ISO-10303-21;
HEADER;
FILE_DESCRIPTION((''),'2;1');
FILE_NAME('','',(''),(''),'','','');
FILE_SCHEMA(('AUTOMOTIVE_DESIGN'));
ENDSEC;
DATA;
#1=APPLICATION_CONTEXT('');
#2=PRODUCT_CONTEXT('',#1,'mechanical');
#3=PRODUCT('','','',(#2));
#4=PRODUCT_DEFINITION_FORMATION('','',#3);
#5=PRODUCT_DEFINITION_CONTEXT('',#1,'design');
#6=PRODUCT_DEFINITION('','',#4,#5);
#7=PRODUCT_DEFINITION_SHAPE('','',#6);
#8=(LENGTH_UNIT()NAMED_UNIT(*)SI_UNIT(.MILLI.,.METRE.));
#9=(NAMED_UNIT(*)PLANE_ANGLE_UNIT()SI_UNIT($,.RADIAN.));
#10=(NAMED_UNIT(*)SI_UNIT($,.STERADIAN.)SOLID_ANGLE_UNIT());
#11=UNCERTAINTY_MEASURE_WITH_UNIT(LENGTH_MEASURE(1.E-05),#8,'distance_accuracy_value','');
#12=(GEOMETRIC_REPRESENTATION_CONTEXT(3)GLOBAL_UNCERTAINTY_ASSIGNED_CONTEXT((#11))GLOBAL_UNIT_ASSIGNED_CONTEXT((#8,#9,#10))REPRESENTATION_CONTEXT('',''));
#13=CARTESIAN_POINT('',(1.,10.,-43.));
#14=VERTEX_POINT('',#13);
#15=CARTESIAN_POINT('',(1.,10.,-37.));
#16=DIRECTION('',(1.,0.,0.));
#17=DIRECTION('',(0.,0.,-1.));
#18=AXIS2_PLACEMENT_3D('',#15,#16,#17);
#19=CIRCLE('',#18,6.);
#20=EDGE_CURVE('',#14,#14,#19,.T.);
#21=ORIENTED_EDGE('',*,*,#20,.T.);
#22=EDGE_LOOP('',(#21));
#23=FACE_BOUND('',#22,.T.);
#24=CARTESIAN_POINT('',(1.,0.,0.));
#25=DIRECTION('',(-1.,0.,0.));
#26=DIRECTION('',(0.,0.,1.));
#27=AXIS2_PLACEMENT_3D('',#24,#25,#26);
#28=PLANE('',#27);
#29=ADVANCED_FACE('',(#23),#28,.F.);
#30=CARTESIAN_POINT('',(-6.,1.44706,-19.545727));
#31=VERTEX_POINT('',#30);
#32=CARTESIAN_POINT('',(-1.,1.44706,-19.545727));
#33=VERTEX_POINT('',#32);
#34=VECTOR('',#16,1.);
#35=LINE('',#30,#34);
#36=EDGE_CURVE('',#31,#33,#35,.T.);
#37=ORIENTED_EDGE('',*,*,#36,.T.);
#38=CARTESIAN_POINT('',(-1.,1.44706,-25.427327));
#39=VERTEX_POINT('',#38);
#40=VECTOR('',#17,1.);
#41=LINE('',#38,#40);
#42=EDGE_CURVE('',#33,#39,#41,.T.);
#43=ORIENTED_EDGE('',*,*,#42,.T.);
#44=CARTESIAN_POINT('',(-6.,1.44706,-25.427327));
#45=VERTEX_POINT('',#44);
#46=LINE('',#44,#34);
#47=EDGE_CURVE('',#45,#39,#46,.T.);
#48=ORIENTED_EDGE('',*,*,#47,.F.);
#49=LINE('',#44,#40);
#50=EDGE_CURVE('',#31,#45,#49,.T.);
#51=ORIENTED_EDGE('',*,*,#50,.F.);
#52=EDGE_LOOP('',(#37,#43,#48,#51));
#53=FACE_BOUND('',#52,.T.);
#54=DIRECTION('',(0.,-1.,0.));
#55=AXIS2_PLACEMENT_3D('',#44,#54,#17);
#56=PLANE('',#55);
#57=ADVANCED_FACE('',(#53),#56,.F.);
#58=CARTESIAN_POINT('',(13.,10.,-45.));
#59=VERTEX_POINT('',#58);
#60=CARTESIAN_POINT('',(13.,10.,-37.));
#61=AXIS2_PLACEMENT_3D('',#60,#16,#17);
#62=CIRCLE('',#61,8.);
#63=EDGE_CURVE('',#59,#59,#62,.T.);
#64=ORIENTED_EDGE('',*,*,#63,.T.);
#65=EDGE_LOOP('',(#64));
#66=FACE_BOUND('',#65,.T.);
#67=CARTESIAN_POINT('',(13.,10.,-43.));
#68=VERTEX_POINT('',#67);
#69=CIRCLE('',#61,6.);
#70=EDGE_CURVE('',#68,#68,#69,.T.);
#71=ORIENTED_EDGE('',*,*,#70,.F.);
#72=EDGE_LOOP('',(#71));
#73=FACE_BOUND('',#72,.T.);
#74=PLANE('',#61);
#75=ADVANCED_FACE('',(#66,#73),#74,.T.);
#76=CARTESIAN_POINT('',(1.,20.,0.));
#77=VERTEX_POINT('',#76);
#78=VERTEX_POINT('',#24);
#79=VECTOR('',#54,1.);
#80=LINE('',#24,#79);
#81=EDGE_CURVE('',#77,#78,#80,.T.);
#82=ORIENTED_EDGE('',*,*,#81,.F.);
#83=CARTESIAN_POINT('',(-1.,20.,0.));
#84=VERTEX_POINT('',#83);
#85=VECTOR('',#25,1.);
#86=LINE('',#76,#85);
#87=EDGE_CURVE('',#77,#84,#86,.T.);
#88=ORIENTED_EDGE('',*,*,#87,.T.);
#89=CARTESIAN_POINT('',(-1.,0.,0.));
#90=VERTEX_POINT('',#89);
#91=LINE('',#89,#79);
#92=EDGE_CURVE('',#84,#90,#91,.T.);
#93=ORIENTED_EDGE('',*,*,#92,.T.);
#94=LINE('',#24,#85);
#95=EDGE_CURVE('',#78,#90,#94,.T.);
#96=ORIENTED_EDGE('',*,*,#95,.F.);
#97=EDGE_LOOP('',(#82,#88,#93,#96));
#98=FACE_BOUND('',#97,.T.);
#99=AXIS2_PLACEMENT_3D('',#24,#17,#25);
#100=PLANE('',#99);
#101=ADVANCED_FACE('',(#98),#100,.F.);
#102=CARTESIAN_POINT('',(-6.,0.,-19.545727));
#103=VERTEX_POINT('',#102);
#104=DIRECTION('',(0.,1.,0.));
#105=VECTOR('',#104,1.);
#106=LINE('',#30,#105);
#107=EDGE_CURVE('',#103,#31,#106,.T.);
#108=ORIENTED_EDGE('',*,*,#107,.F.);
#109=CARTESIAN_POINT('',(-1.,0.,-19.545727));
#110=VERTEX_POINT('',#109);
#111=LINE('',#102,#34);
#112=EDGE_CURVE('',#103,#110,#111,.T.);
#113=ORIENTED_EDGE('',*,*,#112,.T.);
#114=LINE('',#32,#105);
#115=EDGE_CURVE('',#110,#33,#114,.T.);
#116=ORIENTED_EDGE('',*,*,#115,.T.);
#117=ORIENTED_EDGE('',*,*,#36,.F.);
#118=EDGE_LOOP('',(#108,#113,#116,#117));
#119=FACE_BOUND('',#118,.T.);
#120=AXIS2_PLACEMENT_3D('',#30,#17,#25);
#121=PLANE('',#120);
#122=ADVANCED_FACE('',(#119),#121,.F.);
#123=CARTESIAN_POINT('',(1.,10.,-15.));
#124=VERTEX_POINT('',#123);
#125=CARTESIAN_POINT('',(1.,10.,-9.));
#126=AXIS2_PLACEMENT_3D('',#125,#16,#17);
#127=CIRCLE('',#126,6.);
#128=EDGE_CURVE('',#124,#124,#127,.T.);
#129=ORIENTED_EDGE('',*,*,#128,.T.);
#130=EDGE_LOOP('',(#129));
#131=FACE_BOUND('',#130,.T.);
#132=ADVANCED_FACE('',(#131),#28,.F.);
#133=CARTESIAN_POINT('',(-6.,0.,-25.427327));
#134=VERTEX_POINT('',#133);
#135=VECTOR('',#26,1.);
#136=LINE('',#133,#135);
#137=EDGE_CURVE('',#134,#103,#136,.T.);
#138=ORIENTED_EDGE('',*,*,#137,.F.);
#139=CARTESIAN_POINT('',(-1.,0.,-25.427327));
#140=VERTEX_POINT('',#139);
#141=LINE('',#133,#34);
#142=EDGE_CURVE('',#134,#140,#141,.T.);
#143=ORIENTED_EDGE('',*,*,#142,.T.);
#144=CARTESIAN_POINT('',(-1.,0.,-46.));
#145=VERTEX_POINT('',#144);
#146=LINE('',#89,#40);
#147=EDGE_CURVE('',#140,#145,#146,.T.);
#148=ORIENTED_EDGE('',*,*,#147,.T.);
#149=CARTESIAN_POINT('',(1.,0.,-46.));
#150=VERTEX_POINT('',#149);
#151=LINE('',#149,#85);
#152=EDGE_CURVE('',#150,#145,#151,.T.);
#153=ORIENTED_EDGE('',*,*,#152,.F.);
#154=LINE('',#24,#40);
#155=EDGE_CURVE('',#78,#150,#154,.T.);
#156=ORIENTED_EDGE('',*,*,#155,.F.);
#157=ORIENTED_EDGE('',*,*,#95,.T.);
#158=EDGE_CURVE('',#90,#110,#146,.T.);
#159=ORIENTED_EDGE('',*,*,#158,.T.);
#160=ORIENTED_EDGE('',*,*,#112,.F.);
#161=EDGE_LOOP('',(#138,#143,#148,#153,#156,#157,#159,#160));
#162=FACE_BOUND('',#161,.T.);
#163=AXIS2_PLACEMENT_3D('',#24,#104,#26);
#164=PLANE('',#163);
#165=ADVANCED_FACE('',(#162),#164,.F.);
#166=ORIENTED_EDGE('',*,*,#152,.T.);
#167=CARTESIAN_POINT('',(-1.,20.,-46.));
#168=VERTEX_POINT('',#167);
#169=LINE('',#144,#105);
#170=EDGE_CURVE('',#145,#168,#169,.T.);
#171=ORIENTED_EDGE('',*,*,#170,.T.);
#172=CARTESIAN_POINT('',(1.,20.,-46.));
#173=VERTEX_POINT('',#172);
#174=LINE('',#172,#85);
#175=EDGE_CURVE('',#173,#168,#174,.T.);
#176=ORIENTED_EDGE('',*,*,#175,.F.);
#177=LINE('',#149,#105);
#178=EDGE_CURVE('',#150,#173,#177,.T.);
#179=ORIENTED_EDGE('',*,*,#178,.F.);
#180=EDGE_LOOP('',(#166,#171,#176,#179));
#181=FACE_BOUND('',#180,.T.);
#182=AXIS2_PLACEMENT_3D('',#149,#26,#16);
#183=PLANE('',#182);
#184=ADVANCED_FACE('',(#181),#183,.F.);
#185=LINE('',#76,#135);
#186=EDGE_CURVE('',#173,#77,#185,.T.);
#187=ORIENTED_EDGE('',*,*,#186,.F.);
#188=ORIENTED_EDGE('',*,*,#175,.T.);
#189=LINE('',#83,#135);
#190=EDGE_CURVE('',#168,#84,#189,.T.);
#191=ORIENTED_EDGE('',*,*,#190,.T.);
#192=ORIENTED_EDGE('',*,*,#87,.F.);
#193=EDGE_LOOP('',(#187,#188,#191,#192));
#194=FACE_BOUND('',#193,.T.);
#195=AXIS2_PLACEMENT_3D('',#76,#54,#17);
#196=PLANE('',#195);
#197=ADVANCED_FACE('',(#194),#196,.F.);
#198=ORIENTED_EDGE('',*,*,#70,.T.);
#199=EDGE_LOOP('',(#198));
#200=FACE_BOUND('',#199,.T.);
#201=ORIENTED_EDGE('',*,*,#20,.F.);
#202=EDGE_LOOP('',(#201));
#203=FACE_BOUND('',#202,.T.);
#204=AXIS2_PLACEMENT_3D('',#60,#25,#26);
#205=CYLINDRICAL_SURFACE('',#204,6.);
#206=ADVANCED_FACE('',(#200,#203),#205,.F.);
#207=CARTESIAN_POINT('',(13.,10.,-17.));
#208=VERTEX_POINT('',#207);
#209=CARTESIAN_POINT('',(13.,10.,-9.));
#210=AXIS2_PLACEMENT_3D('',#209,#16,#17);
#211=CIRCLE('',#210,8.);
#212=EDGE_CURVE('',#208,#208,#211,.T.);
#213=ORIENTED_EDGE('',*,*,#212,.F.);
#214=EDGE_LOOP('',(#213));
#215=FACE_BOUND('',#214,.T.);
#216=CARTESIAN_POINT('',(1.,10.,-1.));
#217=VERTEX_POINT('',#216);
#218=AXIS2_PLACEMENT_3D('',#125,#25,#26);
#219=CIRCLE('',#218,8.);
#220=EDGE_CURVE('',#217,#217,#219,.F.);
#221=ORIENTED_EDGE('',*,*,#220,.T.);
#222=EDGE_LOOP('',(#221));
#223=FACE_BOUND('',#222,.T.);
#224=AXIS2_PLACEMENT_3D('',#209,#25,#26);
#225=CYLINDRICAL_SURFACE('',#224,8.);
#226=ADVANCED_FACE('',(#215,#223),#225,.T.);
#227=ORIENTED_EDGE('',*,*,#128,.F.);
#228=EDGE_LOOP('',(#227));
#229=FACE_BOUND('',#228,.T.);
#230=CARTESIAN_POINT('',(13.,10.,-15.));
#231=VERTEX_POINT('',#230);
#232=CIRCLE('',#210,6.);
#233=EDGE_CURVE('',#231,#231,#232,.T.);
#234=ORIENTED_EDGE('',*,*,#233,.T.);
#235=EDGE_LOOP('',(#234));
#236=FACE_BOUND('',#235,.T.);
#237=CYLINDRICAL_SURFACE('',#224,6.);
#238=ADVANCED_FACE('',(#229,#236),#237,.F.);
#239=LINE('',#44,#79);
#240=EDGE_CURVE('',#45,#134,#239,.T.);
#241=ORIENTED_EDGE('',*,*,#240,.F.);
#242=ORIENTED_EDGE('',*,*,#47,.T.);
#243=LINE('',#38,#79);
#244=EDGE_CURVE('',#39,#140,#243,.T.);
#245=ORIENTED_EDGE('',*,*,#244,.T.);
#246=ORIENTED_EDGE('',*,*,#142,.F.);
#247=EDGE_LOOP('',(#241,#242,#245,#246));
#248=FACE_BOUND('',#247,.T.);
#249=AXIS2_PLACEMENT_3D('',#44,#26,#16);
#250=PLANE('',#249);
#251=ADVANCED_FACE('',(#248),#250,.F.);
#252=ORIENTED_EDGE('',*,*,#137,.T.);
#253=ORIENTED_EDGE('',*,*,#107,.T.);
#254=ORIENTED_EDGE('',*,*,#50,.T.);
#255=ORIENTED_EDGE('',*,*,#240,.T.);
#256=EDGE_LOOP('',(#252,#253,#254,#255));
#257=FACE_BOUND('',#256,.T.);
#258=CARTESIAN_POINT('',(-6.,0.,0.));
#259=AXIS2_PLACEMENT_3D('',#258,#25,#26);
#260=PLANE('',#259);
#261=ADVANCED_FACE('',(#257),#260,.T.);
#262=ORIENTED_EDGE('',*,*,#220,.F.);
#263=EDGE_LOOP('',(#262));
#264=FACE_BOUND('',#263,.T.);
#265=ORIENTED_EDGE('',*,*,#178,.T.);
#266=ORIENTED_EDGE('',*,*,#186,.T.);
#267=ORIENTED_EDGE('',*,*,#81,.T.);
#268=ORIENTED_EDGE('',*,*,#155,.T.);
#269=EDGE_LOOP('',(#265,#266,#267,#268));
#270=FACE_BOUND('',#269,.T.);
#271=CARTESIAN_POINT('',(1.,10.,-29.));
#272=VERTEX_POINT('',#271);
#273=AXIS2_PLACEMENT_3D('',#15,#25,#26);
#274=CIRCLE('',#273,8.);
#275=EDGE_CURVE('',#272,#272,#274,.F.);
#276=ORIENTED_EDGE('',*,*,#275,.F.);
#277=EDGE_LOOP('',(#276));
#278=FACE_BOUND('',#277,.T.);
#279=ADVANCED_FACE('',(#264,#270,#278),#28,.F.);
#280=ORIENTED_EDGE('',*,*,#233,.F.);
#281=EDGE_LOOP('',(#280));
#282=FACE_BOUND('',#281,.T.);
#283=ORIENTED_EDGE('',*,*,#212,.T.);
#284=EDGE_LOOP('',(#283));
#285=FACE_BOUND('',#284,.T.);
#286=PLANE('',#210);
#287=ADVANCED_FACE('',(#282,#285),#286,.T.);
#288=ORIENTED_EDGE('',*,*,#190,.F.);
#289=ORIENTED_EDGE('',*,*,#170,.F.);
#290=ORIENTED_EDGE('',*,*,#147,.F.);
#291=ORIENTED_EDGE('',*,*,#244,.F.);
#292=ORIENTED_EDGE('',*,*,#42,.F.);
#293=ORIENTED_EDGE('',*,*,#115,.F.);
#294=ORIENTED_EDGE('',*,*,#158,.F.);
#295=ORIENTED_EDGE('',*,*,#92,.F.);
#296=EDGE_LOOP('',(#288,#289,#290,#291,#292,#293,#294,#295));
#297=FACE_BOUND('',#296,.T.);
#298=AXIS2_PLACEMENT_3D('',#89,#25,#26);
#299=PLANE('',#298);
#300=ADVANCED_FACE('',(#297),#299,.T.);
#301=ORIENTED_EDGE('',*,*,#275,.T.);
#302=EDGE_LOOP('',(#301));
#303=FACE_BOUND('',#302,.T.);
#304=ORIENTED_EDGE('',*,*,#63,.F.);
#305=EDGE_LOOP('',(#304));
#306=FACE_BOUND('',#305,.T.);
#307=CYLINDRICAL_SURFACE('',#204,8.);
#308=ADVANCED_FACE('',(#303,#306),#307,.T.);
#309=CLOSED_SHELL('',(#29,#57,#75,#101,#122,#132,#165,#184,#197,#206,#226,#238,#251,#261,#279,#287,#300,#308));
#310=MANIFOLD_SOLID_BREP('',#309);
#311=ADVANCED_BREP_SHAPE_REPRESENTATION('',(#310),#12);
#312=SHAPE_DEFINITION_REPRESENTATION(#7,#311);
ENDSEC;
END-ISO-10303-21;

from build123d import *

# Parameters (mm, degrees)
SKETCH1_W           = 46
SKETCH1_H           = 20
BOSS_EXTRUDE1_DEPTH = 1
SKETCH2_R           = 8
SKETCH2_R_2         = 6
BOSS_EXTRUDE2_DEPTH = 12
SKETCH3_W           = 5.881600094
SKETCH3_H           = 1.447060341
BOSS_EXTRUDE3_DEPTH = 5


with BuildPart() as part:
    # Sketch1 → Boss-Extrude1 (new body, symmetric)
    with BuildSketch(Plane(origin=(0, 0, 0), x_dir=(0, 0, -1), z_dir=(1, 0, 0))):
        with Locations((23, 10)):
            Rectangle(SKETCH1_W, SKETCH1_H)
    extrude(amount=BOSS_EXTRUDE1_DEPTH, both=True)

    # Sketch2 → Boss-Extrude2 (add)
    with BuildSketch(Plane(origin=(1, 0, 0), x_dir=(0, 0, -1), z_dir=(1, 0, 0))):
        with Locations((9, 10)):
            Circle(SKETCH2_R)
        with Locations((9, 10)):
            Circle(SKETCH2_R_2, mode=Mode.SUBTRACT)
        with Locations((37, 10)):
            Circle(SKETCH2_R)
        with Locations((37, 10)):
            Circle(SKETCH2_R_2, mode=Mode.SUBTRACT)
    extrude(amount=BOSS_EXTRUDE2_DEPTH)

    # Sketch3 → Boss-Extrude3 (add)
    with BuildSketch(Plane.ZY.offset(1)):
        with Locations((-22.486526976, 0.723530171)):
            Rectangle(SKETCH3_W, SKETCH3_H)
    extrude(amount=BOSS_EXTRUDE3_DEPTH)


solid = part.part
